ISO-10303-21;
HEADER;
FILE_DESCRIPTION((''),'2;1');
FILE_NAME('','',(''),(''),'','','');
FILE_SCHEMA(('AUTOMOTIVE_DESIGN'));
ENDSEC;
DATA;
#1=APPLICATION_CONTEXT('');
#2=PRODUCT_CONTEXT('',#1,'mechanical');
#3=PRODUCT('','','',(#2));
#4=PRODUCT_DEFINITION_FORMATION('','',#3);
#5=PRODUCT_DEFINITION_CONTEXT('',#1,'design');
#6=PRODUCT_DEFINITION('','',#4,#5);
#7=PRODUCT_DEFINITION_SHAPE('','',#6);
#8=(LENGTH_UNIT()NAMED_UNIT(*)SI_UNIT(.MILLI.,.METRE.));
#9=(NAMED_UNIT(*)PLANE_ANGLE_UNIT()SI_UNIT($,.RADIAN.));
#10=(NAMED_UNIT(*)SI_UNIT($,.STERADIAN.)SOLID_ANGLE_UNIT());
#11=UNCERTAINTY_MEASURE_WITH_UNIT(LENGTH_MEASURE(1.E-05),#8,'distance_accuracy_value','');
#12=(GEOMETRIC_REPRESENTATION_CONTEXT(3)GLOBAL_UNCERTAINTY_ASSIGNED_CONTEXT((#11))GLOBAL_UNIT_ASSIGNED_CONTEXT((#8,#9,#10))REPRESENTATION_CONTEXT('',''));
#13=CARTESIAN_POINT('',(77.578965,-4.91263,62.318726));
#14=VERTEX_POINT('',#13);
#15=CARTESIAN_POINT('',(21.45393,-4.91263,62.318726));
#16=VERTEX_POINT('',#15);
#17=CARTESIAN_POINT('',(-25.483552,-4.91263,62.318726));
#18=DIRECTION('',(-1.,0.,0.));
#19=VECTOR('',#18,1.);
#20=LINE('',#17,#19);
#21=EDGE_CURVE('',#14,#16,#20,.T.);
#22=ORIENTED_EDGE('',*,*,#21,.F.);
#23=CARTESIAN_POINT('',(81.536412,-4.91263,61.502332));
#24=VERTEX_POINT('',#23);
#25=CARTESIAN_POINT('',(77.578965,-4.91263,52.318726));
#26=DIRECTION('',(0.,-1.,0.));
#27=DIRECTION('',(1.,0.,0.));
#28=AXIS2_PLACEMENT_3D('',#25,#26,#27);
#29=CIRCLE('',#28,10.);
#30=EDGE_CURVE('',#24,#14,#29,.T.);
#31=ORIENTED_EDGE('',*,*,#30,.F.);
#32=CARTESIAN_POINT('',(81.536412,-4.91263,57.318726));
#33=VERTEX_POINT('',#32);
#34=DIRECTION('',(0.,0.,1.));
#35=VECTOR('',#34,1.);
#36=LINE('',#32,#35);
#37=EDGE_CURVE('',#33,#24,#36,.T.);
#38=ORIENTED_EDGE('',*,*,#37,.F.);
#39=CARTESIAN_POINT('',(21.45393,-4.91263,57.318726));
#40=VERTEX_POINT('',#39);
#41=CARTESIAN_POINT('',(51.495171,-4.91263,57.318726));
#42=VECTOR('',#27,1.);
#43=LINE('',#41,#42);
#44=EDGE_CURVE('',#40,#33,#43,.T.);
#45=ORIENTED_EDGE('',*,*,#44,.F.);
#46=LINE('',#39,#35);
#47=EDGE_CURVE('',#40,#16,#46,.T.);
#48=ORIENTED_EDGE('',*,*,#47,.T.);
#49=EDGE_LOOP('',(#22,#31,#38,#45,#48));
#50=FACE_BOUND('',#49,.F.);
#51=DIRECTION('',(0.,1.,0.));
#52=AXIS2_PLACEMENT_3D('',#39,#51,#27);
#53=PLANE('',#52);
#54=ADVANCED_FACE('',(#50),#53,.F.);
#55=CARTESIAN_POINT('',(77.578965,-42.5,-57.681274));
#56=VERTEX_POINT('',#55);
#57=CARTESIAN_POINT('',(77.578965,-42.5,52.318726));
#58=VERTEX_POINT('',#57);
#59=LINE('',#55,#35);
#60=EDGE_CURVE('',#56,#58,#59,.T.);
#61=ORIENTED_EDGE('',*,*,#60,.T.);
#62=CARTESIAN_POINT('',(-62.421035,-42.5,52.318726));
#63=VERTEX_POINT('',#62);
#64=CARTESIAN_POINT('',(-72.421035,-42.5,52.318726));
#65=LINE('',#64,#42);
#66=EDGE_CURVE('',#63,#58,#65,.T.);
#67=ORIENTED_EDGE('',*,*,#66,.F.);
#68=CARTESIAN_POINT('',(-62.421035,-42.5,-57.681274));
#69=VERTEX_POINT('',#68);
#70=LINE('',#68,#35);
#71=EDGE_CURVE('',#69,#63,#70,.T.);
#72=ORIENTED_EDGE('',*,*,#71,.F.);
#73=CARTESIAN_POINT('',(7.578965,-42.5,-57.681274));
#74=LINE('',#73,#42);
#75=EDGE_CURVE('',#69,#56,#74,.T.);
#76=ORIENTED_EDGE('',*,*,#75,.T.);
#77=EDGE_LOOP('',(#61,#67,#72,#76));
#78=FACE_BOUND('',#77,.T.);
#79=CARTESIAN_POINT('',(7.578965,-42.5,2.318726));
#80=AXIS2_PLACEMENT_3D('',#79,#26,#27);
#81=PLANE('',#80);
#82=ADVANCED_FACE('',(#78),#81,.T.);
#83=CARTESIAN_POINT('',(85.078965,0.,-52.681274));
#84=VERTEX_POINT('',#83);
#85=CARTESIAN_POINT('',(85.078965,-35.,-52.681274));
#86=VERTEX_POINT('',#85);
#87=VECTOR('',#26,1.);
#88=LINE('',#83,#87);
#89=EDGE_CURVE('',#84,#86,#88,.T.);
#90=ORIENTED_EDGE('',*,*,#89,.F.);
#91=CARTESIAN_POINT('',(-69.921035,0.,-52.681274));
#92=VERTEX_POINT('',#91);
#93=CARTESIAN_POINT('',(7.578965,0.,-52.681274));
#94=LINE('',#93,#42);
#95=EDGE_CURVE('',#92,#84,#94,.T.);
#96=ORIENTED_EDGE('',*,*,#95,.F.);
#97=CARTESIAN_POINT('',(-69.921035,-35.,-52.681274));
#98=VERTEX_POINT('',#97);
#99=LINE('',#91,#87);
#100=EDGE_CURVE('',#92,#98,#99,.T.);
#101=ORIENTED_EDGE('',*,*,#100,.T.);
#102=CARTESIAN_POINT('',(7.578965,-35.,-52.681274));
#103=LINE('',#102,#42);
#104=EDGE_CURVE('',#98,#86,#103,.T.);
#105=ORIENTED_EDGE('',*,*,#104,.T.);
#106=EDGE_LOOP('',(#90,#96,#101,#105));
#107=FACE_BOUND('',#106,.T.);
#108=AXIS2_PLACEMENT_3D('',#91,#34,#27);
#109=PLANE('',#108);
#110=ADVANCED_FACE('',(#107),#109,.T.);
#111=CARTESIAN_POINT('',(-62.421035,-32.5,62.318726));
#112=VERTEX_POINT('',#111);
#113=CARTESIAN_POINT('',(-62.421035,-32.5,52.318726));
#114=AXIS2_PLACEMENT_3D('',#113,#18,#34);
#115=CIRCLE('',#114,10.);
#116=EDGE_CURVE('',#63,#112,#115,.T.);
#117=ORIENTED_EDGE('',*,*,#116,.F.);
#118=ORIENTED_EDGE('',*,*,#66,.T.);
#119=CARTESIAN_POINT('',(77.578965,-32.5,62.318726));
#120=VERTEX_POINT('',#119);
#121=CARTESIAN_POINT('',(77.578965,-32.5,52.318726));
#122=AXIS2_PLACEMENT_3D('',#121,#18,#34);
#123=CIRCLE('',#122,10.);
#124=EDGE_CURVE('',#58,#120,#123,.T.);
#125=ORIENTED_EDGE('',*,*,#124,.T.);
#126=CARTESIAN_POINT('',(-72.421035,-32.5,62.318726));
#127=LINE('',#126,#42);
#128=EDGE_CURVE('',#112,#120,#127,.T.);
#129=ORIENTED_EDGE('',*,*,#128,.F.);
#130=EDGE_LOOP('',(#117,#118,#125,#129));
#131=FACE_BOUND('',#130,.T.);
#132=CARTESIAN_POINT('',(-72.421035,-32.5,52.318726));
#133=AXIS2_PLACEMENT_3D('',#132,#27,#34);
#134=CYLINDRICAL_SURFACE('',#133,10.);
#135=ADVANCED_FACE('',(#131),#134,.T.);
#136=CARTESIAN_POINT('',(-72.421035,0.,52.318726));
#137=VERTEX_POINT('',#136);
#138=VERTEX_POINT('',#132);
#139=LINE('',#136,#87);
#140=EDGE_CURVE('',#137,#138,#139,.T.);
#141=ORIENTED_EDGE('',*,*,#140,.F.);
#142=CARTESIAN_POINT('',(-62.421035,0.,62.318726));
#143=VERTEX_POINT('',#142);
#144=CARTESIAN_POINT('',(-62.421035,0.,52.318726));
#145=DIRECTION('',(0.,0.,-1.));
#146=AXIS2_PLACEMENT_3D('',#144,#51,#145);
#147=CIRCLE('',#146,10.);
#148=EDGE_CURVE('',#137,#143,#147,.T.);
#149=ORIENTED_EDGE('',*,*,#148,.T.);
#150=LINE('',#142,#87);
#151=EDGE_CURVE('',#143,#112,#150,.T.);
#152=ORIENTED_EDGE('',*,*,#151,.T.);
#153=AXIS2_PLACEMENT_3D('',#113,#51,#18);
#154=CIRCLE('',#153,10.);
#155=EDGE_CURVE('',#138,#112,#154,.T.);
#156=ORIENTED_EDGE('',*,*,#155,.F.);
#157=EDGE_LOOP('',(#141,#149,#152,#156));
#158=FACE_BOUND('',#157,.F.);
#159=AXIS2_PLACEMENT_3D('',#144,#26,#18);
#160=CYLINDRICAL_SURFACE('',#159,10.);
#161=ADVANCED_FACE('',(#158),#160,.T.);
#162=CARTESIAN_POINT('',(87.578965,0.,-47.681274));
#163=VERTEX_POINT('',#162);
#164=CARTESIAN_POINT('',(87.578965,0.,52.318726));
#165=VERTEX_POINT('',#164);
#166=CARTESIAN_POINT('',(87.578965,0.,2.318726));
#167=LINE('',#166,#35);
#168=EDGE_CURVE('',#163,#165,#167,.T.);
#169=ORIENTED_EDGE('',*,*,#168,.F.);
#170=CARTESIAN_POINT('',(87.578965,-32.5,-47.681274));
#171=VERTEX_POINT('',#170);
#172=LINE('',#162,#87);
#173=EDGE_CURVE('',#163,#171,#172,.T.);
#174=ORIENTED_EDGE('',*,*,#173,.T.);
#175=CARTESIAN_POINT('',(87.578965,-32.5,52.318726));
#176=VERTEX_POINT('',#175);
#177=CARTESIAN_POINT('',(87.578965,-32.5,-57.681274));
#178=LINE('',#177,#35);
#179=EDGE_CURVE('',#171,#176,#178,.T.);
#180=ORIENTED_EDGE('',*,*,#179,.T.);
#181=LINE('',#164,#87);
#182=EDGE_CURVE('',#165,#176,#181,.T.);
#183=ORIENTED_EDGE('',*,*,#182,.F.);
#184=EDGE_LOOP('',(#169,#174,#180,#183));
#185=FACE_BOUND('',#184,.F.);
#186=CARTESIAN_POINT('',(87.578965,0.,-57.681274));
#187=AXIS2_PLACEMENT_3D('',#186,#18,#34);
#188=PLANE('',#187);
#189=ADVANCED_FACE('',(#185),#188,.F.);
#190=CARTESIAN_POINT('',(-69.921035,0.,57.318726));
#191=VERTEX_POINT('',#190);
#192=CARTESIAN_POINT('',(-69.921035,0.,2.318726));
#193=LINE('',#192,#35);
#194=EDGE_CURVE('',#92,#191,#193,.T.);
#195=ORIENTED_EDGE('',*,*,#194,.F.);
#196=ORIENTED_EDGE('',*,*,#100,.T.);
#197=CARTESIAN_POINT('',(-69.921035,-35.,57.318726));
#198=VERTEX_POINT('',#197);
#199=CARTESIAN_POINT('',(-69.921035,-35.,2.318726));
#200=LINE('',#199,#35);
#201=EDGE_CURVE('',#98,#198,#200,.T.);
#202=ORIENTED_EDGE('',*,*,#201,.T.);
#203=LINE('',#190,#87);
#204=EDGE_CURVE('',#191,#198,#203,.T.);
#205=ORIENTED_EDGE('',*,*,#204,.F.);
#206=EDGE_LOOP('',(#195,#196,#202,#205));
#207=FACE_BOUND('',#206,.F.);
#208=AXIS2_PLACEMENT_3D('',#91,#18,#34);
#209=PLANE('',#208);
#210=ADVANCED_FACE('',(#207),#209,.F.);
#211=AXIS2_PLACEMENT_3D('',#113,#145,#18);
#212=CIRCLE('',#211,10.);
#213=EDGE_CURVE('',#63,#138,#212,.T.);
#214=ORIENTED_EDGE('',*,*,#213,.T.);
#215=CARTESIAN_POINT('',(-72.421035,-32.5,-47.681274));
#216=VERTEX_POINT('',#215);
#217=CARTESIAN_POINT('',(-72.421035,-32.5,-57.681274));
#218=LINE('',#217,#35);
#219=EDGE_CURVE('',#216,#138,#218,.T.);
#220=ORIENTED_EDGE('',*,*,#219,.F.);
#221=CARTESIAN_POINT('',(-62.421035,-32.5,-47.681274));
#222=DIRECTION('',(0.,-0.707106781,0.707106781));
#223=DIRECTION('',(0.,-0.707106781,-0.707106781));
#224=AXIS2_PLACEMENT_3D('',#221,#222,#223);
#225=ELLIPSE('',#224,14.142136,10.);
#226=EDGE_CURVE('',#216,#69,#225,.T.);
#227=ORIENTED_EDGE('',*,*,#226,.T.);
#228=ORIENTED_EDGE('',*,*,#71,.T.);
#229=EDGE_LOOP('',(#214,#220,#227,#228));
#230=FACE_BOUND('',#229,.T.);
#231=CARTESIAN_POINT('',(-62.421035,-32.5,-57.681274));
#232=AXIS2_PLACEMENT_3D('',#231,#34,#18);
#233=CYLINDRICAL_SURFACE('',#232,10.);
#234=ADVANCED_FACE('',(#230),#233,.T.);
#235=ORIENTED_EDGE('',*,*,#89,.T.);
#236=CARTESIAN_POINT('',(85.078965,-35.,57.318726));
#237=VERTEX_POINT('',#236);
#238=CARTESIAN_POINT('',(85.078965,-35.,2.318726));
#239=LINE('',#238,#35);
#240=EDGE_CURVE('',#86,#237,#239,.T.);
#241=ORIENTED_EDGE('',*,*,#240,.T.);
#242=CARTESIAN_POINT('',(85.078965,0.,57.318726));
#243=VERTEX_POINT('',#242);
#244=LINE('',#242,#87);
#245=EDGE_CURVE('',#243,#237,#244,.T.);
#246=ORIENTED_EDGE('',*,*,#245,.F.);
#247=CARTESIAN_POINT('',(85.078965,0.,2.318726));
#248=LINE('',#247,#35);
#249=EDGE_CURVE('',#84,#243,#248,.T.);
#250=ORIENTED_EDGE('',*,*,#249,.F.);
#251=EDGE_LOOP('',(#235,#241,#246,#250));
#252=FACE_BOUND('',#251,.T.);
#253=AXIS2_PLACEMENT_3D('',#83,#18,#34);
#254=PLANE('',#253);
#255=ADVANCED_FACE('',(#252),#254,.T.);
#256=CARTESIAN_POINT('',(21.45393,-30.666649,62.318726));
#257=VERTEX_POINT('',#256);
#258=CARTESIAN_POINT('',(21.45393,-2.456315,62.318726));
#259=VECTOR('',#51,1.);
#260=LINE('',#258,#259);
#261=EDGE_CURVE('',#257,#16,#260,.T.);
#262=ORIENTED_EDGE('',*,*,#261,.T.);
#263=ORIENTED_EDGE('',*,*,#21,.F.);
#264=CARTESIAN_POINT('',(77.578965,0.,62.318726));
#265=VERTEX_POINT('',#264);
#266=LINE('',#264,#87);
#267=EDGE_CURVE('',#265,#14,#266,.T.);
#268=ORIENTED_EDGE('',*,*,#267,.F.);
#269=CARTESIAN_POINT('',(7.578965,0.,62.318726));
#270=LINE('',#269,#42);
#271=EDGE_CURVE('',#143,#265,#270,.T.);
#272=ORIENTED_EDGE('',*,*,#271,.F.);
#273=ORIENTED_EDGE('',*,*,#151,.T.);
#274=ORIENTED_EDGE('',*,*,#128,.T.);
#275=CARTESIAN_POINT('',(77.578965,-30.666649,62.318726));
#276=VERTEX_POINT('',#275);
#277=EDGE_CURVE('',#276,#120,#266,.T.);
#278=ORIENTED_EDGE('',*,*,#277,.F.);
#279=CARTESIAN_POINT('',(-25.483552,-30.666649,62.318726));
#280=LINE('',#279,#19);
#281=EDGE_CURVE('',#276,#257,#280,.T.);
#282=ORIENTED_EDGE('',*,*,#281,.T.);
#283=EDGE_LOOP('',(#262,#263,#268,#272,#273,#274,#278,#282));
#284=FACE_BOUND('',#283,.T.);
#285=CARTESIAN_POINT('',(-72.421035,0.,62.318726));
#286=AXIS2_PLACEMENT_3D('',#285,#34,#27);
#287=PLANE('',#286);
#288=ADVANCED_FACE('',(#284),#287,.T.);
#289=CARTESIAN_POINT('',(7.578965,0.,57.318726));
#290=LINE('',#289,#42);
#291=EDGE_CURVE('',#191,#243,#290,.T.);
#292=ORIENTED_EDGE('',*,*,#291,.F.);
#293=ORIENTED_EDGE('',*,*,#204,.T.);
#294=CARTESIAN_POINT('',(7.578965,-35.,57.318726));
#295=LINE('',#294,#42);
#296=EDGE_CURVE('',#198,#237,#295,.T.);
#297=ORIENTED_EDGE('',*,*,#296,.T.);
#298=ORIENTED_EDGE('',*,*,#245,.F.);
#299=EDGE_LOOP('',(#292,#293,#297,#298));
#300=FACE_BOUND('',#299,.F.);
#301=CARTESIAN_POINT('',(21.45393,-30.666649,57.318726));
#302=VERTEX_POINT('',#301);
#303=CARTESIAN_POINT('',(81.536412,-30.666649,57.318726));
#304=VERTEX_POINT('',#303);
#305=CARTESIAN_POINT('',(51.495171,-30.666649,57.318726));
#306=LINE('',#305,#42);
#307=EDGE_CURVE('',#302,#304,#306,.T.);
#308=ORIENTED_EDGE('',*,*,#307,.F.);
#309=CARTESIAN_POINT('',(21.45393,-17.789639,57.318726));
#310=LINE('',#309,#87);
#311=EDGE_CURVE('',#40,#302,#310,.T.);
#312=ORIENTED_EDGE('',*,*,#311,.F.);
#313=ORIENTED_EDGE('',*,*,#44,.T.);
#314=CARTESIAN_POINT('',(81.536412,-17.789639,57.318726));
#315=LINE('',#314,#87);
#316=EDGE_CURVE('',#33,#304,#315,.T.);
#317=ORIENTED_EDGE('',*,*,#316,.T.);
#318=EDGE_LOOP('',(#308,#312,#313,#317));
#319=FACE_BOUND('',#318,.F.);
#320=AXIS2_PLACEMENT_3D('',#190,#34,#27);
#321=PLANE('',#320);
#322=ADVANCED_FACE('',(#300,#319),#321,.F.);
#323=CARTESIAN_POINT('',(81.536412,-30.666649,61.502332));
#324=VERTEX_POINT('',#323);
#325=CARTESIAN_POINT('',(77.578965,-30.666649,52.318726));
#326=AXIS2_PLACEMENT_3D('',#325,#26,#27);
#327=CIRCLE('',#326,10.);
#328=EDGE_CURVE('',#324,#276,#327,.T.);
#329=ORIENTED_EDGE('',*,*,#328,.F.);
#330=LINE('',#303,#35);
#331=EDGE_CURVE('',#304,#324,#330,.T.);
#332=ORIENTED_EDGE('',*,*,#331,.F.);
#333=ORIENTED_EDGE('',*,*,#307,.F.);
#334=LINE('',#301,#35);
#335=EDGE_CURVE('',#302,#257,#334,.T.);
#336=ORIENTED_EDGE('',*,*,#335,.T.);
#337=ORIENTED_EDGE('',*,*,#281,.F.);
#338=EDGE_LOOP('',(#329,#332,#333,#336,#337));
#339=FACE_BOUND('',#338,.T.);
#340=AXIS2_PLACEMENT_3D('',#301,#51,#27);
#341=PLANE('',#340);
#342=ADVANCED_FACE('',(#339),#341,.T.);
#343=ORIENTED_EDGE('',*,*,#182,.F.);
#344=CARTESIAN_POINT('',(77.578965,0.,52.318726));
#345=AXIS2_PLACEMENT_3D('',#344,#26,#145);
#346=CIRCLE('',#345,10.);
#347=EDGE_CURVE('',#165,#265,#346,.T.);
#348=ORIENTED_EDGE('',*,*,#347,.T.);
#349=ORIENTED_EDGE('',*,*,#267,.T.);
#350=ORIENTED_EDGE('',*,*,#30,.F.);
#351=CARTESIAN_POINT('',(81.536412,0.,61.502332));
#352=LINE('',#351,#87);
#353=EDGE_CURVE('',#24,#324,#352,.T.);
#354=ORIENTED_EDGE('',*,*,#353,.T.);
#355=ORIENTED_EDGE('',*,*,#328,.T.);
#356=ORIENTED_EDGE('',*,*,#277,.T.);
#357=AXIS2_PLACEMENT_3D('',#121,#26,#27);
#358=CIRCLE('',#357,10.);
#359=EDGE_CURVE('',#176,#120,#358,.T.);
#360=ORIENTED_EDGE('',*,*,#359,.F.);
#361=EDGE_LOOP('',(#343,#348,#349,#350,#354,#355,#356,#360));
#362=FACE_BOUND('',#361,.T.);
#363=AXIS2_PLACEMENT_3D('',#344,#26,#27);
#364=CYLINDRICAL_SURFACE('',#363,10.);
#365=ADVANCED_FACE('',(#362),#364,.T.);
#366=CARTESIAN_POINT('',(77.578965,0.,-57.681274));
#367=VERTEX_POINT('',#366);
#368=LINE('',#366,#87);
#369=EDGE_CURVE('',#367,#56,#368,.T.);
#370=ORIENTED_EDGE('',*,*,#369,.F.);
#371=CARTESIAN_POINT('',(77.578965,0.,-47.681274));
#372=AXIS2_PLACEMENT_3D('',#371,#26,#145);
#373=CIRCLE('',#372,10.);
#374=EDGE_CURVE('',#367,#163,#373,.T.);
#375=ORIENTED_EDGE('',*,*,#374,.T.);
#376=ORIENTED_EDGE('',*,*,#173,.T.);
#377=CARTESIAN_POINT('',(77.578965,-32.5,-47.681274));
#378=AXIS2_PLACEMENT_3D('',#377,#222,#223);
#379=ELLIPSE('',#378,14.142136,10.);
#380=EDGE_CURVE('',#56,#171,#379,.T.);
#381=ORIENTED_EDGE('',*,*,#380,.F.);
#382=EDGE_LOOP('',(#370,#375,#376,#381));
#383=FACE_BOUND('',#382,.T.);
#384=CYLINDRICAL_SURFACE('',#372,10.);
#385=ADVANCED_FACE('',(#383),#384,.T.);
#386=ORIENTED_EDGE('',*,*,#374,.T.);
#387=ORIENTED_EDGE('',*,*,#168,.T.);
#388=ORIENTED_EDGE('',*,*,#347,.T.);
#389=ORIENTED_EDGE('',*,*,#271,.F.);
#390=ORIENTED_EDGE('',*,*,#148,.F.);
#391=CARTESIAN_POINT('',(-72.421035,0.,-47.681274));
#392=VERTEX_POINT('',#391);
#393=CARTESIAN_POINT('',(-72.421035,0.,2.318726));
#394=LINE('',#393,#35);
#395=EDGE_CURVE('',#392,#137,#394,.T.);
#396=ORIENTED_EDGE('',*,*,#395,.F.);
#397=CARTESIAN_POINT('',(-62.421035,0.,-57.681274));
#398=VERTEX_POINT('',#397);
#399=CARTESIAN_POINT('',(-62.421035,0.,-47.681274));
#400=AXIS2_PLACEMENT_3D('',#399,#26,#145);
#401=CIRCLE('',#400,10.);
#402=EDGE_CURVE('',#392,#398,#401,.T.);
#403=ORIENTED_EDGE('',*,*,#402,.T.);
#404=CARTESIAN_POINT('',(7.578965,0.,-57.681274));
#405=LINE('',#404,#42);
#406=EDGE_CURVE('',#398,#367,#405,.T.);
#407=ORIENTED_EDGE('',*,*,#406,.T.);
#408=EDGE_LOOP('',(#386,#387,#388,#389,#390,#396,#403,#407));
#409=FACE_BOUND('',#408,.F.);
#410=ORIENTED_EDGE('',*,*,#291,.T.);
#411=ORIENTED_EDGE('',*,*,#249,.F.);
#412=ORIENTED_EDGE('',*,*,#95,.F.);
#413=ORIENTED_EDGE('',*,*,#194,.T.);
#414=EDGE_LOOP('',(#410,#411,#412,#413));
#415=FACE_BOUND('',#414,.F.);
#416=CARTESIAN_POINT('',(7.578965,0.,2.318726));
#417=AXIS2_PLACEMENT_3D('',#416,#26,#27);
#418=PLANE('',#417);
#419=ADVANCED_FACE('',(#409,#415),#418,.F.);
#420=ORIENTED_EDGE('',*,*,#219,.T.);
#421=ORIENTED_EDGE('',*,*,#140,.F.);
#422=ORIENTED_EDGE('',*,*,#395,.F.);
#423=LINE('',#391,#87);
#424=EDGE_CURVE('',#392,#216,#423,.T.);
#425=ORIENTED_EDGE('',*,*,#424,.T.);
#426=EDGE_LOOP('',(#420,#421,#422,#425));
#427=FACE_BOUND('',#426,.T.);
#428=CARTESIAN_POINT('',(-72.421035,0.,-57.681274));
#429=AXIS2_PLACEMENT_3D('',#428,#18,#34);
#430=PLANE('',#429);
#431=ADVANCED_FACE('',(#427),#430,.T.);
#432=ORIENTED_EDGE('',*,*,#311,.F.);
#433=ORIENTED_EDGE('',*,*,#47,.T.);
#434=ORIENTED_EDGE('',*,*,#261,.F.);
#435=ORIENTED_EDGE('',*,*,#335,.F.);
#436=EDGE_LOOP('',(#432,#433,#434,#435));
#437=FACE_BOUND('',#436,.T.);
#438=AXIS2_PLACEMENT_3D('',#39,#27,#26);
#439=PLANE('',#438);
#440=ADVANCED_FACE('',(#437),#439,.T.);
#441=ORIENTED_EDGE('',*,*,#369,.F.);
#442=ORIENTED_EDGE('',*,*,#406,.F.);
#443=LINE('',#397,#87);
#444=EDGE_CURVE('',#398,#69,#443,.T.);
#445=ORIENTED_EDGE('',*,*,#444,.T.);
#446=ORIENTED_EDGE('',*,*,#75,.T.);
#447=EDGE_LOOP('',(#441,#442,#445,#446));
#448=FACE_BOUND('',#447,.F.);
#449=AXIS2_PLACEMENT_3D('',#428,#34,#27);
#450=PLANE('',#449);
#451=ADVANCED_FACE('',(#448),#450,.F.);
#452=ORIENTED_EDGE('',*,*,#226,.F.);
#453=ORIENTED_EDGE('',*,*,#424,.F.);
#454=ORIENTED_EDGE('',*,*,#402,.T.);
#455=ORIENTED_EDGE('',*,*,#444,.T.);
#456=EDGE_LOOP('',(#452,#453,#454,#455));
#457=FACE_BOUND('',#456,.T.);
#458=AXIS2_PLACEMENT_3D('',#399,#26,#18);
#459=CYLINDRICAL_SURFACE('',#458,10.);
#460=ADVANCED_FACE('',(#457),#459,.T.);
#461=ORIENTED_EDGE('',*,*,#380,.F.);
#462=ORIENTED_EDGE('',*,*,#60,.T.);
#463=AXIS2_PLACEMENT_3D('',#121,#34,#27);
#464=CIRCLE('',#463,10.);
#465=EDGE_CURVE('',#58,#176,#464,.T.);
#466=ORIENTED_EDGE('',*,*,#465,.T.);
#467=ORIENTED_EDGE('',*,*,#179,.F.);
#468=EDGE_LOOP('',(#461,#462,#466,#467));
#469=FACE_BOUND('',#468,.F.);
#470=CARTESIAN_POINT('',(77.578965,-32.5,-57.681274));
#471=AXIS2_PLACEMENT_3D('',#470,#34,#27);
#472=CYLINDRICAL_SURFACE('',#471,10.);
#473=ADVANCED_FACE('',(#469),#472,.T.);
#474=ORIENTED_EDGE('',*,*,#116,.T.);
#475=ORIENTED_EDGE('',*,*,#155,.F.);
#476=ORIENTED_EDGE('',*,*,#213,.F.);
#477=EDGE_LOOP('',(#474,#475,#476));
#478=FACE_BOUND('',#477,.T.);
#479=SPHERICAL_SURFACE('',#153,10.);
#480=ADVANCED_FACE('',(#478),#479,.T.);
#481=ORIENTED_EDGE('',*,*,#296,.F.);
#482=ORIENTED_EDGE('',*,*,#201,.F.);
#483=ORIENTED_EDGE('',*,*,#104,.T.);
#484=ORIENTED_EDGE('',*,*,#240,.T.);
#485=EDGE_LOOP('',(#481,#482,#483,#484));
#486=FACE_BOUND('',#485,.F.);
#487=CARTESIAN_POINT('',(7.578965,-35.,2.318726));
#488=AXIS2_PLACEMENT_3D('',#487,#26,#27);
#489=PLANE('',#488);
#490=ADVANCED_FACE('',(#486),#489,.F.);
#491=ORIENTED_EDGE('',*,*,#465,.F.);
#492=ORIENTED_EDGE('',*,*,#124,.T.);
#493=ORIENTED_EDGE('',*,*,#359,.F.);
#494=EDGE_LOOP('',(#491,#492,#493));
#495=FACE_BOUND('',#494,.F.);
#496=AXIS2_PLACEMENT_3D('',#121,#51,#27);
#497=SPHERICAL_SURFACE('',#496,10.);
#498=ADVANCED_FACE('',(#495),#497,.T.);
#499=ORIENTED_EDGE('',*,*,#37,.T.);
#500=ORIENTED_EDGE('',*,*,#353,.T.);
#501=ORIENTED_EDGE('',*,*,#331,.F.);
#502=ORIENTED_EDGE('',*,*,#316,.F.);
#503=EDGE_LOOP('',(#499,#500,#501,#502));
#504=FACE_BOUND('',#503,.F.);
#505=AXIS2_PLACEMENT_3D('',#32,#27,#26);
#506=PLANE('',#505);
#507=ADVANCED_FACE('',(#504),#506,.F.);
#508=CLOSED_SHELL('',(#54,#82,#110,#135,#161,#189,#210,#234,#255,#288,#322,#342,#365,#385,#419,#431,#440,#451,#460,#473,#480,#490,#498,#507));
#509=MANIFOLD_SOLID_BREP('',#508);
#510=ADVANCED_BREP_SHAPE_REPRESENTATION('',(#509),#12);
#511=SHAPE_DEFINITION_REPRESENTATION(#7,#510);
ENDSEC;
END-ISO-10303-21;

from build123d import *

# Parameters (mm, degrees)
F0_W     = 160
F0_H     = 120
F1_DEPTH = 42.5
F2_R     = 10
F3_W     = 155
F3_H     = 110
F4_DEPTH = 35
F5_W     = 60.082482
F5_H     = 25.754019
F6_DEPTH = 5.001


with BuildPart() as f1:
    # F0 (on Front) → F1 (new body)
    with BuildSketch(Plane.XZ):
        with Locations((7.578965, 2.318726)):
            Rectangle(F0_W, F0_H)
    extrude(amount=F1_DEPTH)

    # F2
    f2_edges = [f1.edges().sort_by_distance(p)[0] for p in [
        (87.578965, -21.25, 62.318726),
        (-72.421035, -21.25, 62.318726),
        (87.578965, -21.25, -57.681274),
        (-72.421035, -21.25, -57.681274),
        (-72.421035, -42.5, 2.318726),
        (87.578965, -42.5, 2.318726),
        (7.578965, -42.5, 62.318726),
    ]]
    fillet(f2_edges, radius=F2_R)

    # F3 (on Front) → F4 (cut)
    with BuildSketch(Plane.XZ):
        with Locations((7.578965, 2.318726)):
            Rectangle(F3_W, F3_H)
    extrude(amount=F4_DEPTH, mode=Mode.SUBTRACT)

    # F5 (on face) → F6 (cut, through all)
    with BuildSketch(Plane(origin=(0, 0, 57.318726), x_dir=(1, 0, 0), z_dir=(0, 0, -1))):
        with Locations((51.495171, 17.789639)):
            Rectangle(F5_W, F5_H)
    extrude(amount=-F6_DEPTH, mode=Mode.SUBTRACT)


solid = f1.part
